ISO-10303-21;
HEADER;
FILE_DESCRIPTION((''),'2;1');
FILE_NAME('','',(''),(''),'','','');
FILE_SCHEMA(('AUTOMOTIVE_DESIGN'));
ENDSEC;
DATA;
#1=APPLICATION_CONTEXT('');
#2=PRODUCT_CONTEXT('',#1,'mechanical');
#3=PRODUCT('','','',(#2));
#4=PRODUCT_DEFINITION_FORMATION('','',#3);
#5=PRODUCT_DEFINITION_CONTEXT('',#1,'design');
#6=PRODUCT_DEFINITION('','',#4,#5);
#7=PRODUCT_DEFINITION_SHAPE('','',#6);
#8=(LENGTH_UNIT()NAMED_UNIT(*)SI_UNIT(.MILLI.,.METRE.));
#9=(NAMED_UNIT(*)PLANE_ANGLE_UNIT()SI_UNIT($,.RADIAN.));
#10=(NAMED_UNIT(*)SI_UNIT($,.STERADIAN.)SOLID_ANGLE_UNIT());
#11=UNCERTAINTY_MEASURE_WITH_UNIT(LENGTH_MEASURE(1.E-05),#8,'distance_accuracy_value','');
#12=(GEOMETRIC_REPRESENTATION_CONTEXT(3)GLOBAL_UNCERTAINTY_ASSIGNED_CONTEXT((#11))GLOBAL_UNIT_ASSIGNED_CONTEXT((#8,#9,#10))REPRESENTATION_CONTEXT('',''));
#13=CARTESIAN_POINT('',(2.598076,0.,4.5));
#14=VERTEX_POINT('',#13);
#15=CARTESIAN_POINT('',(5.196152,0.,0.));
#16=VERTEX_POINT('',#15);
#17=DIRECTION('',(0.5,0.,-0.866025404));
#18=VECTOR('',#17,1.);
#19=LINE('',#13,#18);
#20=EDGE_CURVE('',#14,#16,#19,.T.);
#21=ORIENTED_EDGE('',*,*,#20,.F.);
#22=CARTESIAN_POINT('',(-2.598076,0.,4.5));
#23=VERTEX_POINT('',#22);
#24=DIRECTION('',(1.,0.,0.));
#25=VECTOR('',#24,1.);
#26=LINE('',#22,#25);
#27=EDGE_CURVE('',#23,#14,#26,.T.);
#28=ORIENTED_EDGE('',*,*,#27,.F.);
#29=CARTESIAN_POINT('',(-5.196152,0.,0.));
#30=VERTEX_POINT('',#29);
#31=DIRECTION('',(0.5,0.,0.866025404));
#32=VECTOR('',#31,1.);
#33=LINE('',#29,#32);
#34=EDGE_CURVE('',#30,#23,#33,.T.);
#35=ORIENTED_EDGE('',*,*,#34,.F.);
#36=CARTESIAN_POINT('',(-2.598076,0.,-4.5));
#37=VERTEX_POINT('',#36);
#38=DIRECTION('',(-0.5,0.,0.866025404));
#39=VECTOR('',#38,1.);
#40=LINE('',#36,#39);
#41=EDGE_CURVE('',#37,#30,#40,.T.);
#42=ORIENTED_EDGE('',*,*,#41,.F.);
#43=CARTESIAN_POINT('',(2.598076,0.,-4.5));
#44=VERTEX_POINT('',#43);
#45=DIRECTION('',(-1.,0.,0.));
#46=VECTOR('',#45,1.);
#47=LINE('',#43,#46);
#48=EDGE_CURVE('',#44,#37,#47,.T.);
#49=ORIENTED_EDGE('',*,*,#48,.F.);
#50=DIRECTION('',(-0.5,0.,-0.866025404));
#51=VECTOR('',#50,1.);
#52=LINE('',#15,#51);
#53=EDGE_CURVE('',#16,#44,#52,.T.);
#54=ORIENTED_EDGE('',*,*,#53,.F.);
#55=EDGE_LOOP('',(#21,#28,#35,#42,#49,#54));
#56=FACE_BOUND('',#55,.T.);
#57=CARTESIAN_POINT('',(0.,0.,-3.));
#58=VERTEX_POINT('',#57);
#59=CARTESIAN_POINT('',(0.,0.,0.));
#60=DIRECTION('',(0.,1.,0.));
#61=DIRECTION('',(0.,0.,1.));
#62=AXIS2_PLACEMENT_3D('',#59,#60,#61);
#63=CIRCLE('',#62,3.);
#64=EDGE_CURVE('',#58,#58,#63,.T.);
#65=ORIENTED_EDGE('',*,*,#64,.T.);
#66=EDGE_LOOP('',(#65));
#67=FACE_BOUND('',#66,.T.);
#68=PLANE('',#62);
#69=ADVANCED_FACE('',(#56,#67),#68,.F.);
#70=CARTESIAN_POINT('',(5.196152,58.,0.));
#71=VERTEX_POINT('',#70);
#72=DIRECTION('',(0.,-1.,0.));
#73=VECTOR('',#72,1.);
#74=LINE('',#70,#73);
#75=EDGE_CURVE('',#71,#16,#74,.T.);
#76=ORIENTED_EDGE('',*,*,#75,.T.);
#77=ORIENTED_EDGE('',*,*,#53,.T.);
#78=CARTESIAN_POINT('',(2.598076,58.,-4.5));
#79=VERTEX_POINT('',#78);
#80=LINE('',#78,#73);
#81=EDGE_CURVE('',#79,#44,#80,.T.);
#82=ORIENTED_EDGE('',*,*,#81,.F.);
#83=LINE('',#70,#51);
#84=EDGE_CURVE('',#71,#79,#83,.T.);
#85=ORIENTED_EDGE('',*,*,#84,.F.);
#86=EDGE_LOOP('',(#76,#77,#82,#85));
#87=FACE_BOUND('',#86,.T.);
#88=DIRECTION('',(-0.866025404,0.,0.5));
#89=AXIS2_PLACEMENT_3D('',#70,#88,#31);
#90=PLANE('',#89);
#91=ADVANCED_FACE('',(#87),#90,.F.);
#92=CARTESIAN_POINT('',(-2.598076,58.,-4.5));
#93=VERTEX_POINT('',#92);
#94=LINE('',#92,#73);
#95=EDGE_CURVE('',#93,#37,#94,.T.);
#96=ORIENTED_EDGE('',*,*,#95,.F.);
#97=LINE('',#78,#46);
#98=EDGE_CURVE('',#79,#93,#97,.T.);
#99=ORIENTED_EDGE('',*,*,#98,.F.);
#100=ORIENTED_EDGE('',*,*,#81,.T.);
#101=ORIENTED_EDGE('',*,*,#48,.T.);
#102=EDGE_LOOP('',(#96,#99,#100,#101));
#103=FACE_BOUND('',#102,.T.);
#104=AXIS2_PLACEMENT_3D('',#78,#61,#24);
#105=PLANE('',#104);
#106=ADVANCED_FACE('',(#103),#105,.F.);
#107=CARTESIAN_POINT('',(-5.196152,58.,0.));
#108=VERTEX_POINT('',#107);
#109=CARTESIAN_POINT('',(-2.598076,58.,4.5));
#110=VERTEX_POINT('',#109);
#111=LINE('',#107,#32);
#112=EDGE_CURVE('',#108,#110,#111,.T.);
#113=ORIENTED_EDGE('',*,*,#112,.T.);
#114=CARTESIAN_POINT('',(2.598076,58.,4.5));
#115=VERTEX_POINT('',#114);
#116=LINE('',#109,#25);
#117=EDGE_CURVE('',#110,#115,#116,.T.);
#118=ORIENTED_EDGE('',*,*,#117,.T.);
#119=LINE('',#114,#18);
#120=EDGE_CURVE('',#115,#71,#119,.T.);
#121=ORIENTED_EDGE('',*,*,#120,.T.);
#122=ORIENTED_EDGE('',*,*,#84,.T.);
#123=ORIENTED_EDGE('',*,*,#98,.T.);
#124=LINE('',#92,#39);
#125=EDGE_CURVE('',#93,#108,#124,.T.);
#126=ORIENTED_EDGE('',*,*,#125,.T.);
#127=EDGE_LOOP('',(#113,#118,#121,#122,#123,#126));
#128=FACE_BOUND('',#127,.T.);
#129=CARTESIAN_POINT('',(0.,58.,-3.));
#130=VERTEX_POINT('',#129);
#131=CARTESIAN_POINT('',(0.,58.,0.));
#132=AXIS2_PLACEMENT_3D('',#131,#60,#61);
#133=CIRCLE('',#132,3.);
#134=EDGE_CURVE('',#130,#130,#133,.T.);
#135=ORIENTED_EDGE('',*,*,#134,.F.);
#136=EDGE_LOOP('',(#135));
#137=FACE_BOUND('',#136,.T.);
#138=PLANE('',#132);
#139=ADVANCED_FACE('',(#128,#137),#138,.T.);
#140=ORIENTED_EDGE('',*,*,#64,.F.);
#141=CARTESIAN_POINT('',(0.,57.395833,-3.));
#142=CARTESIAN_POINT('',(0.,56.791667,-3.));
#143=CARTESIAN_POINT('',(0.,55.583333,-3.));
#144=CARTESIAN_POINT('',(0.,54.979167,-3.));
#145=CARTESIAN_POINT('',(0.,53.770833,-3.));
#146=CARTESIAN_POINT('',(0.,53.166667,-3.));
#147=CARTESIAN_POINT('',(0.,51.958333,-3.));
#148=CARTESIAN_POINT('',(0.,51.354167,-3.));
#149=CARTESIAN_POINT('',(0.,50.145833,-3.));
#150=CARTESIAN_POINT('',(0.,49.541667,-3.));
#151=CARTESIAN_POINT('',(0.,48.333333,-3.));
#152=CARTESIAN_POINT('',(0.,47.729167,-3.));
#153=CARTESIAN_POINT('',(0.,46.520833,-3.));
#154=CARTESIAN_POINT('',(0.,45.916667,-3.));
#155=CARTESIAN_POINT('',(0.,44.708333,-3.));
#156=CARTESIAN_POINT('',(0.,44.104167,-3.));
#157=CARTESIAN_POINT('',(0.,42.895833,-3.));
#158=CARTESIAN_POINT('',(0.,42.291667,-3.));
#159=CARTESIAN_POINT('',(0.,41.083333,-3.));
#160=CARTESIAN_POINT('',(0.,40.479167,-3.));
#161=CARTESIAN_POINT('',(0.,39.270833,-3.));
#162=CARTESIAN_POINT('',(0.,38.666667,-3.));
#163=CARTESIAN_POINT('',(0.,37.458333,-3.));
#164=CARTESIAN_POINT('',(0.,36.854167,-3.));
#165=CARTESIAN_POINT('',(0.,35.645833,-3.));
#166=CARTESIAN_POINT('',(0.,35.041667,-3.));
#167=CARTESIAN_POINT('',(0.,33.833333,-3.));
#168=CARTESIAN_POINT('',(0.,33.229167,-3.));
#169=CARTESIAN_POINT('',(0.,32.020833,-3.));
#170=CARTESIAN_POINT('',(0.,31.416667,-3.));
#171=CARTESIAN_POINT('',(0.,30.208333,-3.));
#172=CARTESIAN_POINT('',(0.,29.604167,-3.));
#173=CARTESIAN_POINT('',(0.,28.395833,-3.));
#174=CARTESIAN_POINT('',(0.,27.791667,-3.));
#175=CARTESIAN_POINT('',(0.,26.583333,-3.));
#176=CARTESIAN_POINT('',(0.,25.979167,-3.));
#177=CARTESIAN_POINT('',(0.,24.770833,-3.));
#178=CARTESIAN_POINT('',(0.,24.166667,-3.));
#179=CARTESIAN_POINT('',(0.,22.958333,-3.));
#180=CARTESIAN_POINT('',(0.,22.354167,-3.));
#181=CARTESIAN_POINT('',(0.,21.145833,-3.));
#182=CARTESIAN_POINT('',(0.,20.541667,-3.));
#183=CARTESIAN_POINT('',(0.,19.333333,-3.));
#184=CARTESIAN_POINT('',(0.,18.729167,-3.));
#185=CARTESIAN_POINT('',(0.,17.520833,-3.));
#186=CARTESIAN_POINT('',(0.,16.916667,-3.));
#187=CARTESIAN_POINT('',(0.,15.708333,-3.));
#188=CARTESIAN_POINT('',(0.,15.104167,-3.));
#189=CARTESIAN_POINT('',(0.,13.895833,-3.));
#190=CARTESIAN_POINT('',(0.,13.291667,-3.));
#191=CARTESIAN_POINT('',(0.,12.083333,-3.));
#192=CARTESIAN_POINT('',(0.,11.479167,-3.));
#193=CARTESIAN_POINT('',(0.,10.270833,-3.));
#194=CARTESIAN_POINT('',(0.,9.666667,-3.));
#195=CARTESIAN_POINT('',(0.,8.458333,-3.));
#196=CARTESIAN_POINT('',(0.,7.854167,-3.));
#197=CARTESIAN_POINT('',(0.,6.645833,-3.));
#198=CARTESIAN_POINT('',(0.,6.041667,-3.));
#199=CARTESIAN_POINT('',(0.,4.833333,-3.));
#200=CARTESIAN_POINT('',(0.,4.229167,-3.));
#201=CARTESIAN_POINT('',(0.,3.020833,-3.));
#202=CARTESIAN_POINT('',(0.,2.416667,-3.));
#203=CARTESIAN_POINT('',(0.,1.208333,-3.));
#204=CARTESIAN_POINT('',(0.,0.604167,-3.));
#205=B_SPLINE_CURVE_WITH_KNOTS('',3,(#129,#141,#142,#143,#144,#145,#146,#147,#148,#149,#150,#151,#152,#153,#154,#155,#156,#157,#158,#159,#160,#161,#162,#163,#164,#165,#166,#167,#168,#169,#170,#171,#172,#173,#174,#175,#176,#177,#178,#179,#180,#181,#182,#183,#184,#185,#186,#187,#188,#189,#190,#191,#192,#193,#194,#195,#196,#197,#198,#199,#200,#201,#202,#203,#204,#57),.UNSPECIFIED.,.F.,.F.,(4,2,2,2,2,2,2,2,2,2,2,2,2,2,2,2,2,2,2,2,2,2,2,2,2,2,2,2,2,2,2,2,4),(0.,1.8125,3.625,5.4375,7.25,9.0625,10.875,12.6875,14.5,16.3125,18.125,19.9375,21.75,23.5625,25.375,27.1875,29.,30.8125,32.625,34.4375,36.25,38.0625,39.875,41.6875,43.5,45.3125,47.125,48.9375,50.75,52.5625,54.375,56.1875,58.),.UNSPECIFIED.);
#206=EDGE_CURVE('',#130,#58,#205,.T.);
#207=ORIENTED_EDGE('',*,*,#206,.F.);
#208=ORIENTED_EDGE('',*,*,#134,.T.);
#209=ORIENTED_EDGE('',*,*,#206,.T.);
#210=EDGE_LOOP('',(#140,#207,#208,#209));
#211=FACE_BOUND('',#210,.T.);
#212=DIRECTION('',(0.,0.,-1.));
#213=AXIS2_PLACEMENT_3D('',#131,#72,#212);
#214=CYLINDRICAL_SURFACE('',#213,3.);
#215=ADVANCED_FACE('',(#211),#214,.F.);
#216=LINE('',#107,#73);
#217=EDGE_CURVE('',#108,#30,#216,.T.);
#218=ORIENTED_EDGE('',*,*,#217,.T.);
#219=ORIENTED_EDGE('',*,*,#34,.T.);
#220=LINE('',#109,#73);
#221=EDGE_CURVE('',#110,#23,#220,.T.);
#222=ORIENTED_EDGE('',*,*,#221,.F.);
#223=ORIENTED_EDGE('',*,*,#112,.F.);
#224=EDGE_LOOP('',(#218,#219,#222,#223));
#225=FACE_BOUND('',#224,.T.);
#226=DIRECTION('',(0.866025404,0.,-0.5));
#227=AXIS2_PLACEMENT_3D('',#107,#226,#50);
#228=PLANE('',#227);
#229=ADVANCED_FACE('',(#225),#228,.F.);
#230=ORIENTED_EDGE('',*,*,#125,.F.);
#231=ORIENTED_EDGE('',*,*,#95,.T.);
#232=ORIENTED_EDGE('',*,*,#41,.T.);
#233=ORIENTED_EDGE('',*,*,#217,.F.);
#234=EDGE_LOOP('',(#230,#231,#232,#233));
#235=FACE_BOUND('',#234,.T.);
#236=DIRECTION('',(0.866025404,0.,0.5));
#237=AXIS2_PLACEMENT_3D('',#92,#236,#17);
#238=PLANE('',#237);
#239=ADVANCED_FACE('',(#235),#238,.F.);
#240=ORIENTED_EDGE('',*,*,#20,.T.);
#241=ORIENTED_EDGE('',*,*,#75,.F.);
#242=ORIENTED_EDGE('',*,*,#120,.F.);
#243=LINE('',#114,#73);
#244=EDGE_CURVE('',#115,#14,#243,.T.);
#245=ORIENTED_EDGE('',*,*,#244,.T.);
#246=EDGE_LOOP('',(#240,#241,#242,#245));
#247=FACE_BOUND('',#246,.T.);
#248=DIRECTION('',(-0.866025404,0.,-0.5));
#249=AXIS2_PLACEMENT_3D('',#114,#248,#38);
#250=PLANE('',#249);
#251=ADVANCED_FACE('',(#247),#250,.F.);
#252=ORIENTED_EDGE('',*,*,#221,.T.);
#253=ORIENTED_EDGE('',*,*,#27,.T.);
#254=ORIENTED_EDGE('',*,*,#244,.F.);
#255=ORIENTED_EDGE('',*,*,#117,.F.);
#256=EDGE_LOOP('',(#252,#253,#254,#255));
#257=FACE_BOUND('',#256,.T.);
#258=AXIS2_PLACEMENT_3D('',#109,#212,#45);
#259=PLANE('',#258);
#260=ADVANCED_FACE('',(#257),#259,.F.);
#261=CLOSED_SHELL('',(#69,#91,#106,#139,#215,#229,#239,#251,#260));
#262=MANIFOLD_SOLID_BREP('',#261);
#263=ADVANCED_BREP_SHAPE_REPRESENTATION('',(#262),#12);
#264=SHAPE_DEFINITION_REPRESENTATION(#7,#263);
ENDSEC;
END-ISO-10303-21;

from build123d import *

# Parameters (mm, degrees)
SKETCH_1_R      = 3
EXTRUDE_1_DEPTH = 58


with BuildPart() as part:
    # 草图1 → 凸台-拉伸1 (new body)
    with BuildSketch(Plane(origin=(0, 0, 0), x_dir=(1, 0, 0), z_dir=(0, 1, 0))):
        Polygon((5.196152423, 0), (2.598076211, 4.5), (-2.598076211, 4.5), (-5.196152423, 0), (-2.598076211, -4.5), (2.598076211, -4.5), align=None)
        with Locations(Location((0, 0, 0), (0, 0, 90))):
            Circle(SKETCH_1_R, mode=Mode.SUBTRACT)
    extrude(amount=EXTRUDE_1_DEPTH)


solid = part.part
